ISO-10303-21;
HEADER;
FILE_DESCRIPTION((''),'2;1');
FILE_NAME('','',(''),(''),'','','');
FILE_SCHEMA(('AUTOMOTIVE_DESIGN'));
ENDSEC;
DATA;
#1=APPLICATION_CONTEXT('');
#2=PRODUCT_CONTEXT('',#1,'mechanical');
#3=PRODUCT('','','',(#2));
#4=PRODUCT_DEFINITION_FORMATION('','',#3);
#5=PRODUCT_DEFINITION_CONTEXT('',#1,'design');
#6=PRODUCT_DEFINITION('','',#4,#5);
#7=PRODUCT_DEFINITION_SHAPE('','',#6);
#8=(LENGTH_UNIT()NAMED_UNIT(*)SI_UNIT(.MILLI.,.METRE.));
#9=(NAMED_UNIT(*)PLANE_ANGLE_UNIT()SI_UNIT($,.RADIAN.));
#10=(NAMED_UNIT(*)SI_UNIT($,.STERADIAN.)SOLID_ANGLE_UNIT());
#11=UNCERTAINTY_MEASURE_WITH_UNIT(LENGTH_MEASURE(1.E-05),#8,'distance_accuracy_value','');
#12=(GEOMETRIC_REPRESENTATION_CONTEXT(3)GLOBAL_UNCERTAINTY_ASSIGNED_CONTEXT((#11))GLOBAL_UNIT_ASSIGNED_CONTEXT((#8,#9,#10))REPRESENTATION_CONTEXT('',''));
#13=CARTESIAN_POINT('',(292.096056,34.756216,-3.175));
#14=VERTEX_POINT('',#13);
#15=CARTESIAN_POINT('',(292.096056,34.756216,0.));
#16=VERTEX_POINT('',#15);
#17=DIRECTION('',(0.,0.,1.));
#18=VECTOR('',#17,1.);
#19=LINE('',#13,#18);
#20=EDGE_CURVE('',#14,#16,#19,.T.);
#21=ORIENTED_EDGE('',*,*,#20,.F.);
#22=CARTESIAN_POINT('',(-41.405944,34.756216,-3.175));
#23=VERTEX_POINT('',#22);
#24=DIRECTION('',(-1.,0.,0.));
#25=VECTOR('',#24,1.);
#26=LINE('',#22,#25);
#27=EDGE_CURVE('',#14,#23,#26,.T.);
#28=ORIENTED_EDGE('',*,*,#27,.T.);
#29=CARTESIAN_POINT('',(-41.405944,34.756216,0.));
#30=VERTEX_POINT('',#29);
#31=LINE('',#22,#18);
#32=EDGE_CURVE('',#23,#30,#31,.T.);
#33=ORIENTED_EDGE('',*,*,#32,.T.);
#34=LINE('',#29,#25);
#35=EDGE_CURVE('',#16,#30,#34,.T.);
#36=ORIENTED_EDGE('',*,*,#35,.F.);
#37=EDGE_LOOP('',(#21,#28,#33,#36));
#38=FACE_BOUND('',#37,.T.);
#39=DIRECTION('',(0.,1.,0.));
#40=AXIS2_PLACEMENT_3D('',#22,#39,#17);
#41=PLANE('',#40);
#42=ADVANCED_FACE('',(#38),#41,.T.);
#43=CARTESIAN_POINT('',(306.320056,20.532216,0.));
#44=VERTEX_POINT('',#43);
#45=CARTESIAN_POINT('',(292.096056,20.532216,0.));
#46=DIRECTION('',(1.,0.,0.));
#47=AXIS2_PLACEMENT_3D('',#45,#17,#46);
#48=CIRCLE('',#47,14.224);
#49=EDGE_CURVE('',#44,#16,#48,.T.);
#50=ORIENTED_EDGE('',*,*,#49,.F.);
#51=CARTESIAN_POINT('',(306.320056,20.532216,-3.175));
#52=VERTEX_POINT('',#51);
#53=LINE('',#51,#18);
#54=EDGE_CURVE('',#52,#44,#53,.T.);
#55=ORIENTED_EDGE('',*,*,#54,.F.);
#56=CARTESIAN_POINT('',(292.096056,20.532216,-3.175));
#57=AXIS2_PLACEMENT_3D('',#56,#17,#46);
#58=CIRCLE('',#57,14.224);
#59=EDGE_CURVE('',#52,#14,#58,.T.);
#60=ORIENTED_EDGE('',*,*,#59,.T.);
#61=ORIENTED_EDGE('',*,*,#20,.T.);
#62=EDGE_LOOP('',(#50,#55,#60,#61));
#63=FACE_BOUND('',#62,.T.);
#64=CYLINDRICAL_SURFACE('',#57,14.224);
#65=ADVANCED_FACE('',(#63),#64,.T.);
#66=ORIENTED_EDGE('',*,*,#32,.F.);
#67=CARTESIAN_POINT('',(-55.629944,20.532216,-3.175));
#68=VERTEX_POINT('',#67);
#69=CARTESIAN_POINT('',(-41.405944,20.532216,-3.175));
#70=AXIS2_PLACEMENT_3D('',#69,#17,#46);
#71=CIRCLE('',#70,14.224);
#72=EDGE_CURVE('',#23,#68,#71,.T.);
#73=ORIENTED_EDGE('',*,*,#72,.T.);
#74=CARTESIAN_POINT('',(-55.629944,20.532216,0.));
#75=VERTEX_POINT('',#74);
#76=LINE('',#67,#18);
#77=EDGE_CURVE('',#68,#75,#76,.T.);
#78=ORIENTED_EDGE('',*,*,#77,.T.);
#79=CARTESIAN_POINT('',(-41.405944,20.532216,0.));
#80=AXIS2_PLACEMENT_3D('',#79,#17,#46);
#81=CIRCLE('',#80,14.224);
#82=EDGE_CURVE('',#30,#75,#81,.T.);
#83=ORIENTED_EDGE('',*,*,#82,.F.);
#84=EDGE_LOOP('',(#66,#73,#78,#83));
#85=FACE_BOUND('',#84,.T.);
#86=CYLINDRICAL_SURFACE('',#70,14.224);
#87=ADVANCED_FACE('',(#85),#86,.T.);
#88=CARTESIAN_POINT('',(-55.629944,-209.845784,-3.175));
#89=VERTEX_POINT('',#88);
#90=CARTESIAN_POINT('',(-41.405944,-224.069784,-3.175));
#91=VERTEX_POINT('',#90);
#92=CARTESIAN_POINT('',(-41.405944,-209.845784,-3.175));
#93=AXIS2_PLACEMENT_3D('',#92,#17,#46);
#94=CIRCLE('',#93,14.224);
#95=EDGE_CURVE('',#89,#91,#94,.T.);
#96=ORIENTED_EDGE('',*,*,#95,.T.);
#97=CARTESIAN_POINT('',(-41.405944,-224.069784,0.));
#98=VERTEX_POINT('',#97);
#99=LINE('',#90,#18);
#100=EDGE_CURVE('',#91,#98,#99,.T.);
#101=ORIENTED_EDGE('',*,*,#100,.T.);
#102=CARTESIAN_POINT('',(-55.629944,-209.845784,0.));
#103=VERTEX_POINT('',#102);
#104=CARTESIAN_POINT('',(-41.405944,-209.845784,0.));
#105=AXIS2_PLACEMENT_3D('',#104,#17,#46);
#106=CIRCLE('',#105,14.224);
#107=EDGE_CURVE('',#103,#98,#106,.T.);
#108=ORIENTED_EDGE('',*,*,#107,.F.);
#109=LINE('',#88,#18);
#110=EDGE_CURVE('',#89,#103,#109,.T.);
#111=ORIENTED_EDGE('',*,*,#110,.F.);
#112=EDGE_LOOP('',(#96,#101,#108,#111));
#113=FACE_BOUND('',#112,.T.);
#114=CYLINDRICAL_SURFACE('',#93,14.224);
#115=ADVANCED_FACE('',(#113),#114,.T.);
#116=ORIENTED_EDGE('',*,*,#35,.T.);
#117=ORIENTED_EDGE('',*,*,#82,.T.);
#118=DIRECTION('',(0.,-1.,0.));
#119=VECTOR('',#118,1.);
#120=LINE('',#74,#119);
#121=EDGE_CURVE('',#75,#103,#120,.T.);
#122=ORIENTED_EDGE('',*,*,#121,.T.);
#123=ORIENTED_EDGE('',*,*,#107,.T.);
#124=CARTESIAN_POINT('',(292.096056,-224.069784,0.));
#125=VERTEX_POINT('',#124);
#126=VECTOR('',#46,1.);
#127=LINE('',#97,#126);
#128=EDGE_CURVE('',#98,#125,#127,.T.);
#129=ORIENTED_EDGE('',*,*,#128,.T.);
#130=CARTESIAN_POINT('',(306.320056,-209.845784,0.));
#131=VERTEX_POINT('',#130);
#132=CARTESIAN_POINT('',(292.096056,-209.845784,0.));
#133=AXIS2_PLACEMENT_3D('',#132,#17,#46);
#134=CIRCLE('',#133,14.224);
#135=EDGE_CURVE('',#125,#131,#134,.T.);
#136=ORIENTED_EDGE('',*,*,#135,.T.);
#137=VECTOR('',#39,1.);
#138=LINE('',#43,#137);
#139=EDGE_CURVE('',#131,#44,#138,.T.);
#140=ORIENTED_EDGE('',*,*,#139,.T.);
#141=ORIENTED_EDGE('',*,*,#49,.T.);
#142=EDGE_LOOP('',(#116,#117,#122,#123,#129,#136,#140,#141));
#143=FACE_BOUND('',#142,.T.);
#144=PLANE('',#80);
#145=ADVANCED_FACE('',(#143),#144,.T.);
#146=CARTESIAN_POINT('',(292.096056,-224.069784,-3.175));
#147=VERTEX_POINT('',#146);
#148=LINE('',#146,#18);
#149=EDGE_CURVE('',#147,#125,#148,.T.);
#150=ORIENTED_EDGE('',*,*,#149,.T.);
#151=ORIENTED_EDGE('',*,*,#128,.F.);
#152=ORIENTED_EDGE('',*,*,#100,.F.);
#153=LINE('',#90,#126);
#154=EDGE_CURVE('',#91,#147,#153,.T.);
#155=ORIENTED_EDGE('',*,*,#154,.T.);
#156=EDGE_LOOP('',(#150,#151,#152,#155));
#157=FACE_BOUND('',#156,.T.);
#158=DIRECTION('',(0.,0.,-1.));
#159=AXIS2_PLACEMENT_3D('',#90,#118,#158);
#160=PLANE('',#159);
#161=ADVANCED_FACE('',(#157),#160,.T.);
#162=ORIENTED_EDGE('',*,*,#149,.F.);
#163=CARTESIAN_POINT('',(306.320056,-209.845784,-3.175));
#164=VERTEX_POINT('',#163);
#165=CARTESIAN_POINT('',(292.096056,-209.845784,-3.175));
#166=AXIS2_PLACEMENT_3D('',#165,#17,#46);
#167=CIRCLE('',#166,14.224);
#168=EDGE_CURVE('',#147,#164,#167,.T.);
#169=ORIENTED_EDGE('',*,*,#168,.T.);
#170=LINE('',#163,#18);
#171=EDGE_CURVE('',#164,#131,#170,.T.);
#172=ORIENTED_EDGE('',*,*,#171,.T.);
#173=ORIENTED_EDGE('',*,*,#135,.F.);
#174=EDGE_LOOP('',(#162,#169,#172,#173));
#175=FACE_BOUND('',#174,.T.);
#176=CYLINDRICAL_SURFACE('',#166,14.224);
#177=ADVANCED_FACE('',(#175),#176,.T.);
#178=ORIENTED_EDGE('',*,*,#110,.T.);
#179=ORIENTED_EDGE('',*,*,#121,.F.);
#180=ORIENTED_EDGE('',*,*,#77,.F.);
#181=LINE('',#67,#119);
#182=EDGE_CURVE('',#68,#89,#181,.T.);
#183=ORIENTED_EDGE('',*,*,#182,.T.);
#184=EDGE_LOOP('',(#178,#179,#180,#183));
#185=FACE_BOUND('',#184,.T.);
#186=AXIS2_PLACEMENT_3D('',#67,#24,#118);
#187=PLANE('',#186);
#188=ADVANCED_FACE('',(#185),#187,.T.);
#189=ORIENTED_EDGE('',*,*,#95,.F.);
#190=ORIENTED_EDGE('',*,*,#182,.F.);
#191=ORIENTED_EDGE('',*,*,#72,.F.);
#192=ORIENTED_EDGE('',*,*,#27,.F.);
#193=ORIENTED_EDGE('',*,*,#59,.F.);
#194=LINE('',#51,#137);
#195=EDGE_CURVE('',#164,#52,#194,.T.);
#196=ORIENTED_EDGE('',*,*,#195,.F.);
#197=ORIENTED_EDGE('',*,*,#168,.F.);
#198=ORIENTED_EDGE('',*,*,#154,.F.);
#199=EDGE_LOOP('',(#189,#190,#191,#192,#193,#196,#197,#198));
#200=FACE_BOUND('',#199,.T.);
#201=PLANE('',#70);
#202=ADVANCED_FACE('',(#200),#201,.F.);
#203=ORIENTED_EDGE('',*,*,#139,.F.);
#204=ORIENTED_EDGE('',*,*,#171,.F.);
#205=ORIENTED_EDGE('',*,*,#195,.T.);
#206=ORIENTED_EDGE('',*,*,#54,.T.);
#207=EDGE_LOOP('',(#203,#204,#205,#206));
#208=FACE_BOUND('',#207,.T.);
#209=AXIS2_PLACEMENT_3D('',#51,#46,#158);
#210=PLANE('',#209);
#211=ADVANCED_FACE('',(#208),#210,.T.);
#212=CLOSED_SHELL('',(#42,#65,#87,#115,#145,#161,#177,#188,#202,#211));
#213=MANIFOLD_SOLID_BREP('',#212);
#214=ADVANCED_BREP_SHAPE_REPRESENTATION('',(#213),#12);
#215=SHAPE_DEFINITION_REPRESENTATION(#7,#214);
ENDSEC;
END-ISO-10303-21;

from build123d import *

# Parameters (mm, degrees)
BOSS_EXTRUDE1_DEPTH = 3.175


with BuildPart() as part:
    # Sketch1 → Boss-Extrude1 (new body)
    with BuildSketch(Plane.XY):
        with BuildLine():
            Line((-41.405944168, 34.756216238), (292.096055832, 34.756216238))
            ThreePointArc((292.096055832, 34.756216238), (302.153942688, 30.590103094), (306.320055832, 20.532216238))
            Line((306.320055832, 20.532216238), (306.320055832, -209.845783762))
            ThreePointArc((306.320055832, -209.845783762), (302.153942688, -219.903670617), (292.096055832, -224.069783762))
            Line((292.096055832, -224.069783762), (-41.405944168, -224.069783762))
            ThreePointArc((-41.405944168, -224.069783762), (-51.463831024, -219.903670617), (-55.629944168, -209.845783762))
            Line((-55.629944168, -209.845783762), (-55.629944168, 20.532216238))
            ThreePointArc((-55.629944168, 20.532216238), (-51.463831024, 30.590103094), (-41.405944168, 34.756216238))
        make_face()
    extrude(amount=-BOSS_EXTRUDE1_DEPTH)


solid = part.part
